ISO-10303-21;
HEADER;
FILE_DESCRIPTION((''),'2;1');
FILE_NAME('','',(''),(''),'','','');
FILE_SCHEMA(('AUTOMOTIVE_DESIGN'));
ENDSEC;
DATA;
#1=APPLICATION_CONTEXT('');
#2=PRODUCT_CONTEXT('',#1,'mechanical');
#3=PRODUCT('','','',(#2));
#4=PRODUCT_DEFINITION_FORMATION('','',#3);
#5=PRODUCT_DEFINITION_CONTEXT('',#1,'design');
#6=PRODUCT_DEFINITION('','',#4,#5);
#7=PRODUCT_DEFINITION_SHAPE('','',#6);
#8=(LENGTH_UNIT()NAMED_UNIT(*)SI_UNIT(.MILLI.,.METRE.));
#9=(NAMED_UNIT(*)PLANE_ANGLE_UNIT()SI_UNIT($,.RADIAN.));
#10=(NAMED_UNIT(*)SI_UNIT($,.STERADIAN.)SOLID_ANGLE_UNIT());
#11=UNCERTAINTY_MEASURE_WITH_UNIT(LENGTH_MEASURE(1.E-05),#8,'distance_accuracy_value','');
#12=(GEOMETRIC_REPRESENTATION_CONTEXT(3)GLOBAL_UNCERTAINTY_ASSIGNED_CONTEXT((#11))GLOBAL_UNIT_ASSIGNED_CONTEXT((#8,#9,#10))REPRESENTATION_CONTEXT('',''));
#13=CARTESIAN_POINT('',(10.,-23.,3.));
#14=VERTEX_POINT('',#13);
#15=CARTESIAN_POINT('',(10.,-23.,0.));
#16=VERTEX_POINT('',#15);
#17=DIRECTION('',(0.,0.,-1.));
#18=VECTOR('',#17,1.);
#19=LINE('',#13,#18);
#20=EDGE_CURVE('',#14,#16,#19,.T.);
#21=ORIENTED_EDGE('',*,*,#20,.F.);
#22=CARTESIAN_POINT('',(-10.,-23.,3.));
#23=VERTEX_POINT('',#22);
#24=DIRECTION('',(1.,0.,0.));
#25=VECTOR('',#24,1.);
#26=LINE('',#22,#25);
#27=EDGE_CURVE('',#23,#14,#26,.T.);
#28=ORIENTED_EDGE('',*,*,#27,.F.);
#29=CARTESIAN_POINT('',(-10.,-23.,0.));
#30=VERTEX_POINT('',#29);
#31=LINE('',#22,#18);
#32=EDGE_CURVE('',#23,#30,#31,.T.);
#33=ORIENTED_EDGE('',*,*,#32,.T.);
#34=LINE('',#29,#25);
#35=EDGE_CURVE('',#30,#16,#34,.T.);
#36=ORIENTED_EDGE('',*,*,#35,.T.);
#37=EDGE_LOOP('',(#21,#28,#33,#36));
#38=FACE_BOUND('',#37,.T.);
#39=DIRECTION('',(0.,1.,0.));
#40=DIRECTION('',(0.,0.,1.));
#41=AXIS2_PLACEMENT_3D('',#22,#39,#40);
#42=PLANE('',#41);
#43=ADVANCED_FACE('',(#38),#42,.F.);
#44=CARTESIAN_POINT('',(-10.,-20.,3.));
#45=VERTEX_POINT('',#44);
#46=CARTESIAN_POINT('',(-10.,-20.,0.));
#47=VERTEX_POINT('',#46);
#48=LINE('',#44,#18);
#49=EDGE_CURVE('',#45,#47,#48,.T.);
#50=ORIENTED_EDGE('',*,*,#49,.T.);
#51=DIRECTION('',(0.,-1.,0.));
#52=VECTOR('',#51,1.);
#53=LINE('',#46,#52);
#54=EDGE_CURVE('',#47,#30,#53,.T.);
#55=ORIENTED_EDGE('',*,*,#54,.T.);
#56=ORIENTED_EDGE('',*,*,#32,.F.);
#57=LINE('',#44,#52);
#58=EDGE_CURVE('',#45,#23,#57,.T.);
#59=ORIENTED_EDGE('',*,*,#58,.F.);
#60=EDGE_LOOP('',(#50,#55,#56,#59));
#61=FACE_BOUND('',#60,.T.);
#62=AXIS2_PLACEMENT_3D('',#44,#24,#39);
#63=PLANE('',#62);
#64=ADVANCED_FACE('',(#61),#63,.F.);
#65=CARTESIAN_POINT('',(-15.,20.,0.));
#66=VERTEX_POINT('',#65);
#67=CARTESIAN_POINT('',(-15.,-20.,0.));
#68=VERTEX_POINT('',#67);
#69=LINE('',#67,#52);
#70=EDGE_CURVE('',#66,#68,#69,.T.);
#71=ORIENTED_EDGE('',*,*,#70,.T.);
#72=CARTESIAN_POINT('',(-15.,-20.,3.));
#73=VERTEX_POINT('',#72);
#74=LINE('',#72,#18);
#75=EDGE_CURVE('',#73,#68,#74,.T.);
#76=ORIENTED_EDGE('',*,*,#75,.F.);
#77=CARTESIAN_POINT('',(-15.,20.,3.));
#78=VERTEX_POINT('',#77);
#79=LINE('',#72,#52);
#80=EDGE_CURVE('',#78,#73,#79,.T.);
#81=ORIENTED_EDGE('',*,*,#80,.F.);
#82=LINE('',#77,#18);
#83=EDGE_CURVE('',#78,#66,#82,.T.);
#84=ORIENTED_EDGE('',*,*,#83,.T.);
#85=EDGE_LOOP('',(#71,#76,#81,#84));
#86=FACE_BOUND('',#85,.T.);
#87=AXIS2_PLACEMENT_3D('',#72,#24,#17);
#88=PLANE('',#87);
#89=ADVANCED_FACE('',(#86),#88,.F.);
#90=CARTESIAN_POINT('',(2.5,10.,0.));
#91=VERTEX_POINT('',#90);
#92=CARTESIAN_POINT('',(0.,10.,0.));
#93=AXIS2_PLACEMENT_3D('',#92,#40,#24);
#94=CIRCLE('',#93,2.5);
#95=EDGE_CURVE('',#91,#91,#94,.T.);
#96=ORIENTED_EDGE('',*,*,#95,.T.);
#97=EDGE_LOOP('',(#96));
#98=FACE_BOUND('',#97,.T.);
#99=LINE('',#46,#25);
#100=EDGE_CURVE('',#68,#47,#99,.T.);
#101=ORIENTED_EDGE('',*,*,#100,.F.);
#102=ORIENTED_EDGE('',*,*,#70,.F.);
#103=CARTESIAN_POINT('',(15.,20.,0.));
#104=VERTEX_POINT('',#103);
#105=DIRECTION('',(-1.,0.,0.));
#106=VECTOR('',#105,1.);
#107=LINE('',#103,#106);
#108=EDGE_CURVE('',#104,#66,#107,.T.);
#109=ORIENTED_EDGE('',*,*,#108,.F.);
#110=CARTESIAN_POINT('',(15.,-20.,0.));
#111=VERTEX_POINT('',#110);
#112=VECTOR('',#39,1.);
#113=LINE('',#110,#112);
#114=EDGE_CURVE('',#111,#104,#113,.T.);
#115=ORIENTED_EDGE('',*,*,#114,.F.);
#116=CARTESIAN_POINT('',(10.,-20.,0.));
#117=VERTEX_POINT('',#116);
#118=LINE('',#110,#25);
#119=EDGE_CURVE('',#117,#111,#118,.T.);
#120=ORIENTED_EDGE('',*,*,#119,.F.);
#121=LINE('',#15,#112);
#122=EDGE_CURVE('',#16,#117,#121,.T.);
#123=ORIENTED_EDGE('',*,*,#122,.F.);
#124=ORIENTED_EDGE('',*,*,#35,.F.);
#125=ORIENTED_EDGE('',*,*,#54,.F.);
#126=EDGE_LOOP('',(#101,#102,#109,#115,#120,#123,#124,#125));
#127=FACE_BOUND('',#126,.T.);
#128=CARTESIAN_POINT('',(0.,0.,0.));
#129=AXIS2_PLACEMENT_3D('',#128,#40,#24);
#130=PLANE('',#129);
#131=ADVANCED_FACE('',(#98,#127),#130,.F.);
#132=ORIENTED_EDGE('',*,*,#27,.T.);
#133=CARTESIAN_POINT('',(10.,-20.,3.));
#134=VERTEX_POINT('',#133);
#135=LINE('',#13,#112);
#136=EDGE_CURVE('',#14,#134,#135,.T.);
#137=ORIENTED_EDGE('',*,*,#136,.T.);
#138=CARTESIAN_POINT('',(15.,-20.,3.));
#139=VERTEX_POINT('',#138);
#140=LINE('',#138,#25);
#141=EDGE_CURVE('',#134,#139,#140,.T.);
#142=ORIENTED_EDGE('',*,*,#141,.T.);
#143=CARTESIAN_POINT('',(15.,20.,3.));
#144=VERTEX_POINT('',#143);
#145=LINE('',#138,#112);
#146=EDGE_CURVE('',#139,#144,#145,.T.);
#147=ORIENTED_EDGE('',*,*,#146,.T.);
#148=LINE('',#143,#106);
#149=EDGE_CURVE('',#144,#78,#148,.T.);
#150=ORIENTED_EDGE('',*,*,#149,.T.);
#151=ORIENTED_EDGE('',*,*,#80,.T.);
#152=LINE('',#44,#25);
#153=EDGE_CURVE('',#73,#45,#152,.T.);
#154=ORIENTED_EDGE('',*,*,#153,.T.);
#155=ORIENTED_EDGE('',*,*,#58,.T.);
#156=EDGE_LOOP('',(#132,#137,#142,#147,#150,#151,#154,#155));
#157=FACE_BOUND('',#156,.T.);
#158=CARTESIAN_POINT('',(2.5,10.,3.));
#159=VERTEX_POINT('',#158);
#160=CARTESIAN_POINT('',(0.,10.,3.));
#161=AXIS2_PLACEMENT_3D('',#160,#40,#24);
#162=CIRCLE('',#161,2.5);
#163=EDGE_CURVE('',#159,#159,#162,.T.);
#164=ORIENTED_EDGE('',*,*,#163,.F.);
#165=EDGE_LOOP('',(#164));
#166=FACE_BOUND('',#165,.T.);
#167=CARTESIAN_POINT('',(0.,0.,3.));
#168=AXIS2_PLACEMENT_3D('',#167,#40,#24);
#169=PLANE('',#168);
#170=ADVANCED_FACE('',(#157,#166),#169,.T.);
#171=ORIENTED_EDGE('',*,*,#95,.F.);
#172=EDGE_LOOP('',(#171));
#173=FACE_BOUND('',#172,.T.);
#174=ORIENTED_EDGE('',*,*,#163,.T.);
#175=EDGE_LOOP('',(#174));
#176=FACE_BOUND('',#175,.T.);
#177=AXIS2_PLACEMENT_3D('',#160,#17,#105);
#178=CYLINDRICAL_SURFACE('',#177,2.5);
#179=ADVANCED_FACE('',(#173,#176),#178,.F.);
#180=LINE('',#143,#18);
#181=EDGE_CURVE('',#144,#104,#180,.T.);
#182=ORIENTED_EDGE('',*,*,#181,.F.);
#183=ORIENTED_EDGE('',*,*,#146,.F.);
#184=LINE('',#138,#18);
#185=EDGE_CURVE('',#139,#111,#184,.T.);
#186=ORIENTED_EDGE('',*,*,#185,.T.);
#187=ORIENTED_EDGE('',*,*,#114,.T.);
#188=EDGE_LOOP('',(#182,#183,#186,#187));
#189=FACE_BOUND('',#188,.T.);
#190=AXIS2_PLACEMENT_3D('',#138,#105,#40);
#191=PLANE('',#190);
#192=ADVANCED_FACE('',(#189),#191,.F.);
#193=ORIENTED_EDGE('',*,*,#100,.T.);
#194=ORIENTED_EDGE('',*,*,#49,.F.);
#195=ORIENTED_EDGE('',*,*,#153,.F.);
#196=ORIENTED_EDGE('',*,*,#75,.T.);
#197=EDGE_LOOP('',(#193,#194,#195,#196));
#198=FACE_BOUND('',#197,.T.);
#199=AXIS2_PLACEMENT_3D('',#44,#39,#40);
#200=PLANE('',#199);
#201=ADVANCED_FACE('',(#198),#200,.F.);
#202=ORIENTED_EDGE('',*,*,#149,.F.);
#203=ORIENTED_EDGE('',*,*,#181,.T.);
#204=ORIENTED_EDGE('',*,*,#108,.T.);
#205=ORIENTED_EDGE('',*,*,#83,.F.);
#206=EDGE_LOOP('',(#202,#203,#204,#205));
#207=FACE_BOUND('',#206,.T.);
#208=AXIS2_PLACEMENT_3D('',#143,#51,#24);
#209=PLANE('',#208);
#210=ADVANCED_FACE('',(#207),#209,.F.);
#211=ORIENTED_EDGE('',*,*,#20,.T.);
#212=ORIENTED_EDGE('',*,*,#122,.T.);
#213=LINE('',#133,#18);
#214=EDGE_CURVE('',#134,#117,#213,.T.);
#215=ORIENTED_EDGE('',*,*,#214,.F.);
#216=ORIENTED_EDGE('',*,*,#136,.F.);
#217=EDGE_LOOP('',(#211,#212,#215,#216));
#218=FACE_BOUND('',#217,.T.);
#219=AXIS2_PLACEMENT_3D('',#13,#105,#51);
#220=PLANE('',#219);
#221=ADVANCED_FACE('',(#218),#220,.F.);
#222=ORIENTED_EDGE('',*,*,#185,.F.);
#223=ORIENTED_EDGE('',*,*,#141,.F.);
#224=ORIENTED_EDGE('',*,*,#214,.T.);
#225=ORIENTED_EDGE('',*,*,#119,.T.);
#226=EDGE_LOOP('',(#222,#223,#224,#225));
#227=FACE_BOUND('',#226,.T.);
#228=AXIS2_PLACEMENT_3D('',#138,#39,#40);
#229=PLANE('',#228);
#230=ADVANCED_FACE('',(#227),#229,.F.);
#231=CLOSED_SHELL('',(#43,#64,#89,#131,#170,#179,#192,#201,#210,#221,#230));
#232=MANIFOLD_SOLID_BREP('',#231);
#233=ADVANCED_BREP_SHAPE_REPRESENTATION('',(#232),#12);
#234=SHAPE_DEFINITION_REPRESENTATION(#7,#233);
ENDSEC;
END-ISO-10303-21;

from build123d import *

# Parameters (mm, degrees)
SKETCH1_R           = 2.5
BOSS_EXTRUDE1_DEPTH = 3


with BuildPart() as part:
    # Sketch1 → Boss-Extrude1 (new body)
    with BuildSketch(Plane.XY):
        Polygon((-10, -20), (-10, -23), (10, -23), (10, -20), (15, -20), (15, 20), (-15, 20), (-15, -20), align=None)
        with Locations((0, 10)):
            Circle(SKETCH1_R, mode=Mode.SUBTRACT)
    extrude(amount=BOSS_EXTRUDE1_DEPTH)


solid = part.part
